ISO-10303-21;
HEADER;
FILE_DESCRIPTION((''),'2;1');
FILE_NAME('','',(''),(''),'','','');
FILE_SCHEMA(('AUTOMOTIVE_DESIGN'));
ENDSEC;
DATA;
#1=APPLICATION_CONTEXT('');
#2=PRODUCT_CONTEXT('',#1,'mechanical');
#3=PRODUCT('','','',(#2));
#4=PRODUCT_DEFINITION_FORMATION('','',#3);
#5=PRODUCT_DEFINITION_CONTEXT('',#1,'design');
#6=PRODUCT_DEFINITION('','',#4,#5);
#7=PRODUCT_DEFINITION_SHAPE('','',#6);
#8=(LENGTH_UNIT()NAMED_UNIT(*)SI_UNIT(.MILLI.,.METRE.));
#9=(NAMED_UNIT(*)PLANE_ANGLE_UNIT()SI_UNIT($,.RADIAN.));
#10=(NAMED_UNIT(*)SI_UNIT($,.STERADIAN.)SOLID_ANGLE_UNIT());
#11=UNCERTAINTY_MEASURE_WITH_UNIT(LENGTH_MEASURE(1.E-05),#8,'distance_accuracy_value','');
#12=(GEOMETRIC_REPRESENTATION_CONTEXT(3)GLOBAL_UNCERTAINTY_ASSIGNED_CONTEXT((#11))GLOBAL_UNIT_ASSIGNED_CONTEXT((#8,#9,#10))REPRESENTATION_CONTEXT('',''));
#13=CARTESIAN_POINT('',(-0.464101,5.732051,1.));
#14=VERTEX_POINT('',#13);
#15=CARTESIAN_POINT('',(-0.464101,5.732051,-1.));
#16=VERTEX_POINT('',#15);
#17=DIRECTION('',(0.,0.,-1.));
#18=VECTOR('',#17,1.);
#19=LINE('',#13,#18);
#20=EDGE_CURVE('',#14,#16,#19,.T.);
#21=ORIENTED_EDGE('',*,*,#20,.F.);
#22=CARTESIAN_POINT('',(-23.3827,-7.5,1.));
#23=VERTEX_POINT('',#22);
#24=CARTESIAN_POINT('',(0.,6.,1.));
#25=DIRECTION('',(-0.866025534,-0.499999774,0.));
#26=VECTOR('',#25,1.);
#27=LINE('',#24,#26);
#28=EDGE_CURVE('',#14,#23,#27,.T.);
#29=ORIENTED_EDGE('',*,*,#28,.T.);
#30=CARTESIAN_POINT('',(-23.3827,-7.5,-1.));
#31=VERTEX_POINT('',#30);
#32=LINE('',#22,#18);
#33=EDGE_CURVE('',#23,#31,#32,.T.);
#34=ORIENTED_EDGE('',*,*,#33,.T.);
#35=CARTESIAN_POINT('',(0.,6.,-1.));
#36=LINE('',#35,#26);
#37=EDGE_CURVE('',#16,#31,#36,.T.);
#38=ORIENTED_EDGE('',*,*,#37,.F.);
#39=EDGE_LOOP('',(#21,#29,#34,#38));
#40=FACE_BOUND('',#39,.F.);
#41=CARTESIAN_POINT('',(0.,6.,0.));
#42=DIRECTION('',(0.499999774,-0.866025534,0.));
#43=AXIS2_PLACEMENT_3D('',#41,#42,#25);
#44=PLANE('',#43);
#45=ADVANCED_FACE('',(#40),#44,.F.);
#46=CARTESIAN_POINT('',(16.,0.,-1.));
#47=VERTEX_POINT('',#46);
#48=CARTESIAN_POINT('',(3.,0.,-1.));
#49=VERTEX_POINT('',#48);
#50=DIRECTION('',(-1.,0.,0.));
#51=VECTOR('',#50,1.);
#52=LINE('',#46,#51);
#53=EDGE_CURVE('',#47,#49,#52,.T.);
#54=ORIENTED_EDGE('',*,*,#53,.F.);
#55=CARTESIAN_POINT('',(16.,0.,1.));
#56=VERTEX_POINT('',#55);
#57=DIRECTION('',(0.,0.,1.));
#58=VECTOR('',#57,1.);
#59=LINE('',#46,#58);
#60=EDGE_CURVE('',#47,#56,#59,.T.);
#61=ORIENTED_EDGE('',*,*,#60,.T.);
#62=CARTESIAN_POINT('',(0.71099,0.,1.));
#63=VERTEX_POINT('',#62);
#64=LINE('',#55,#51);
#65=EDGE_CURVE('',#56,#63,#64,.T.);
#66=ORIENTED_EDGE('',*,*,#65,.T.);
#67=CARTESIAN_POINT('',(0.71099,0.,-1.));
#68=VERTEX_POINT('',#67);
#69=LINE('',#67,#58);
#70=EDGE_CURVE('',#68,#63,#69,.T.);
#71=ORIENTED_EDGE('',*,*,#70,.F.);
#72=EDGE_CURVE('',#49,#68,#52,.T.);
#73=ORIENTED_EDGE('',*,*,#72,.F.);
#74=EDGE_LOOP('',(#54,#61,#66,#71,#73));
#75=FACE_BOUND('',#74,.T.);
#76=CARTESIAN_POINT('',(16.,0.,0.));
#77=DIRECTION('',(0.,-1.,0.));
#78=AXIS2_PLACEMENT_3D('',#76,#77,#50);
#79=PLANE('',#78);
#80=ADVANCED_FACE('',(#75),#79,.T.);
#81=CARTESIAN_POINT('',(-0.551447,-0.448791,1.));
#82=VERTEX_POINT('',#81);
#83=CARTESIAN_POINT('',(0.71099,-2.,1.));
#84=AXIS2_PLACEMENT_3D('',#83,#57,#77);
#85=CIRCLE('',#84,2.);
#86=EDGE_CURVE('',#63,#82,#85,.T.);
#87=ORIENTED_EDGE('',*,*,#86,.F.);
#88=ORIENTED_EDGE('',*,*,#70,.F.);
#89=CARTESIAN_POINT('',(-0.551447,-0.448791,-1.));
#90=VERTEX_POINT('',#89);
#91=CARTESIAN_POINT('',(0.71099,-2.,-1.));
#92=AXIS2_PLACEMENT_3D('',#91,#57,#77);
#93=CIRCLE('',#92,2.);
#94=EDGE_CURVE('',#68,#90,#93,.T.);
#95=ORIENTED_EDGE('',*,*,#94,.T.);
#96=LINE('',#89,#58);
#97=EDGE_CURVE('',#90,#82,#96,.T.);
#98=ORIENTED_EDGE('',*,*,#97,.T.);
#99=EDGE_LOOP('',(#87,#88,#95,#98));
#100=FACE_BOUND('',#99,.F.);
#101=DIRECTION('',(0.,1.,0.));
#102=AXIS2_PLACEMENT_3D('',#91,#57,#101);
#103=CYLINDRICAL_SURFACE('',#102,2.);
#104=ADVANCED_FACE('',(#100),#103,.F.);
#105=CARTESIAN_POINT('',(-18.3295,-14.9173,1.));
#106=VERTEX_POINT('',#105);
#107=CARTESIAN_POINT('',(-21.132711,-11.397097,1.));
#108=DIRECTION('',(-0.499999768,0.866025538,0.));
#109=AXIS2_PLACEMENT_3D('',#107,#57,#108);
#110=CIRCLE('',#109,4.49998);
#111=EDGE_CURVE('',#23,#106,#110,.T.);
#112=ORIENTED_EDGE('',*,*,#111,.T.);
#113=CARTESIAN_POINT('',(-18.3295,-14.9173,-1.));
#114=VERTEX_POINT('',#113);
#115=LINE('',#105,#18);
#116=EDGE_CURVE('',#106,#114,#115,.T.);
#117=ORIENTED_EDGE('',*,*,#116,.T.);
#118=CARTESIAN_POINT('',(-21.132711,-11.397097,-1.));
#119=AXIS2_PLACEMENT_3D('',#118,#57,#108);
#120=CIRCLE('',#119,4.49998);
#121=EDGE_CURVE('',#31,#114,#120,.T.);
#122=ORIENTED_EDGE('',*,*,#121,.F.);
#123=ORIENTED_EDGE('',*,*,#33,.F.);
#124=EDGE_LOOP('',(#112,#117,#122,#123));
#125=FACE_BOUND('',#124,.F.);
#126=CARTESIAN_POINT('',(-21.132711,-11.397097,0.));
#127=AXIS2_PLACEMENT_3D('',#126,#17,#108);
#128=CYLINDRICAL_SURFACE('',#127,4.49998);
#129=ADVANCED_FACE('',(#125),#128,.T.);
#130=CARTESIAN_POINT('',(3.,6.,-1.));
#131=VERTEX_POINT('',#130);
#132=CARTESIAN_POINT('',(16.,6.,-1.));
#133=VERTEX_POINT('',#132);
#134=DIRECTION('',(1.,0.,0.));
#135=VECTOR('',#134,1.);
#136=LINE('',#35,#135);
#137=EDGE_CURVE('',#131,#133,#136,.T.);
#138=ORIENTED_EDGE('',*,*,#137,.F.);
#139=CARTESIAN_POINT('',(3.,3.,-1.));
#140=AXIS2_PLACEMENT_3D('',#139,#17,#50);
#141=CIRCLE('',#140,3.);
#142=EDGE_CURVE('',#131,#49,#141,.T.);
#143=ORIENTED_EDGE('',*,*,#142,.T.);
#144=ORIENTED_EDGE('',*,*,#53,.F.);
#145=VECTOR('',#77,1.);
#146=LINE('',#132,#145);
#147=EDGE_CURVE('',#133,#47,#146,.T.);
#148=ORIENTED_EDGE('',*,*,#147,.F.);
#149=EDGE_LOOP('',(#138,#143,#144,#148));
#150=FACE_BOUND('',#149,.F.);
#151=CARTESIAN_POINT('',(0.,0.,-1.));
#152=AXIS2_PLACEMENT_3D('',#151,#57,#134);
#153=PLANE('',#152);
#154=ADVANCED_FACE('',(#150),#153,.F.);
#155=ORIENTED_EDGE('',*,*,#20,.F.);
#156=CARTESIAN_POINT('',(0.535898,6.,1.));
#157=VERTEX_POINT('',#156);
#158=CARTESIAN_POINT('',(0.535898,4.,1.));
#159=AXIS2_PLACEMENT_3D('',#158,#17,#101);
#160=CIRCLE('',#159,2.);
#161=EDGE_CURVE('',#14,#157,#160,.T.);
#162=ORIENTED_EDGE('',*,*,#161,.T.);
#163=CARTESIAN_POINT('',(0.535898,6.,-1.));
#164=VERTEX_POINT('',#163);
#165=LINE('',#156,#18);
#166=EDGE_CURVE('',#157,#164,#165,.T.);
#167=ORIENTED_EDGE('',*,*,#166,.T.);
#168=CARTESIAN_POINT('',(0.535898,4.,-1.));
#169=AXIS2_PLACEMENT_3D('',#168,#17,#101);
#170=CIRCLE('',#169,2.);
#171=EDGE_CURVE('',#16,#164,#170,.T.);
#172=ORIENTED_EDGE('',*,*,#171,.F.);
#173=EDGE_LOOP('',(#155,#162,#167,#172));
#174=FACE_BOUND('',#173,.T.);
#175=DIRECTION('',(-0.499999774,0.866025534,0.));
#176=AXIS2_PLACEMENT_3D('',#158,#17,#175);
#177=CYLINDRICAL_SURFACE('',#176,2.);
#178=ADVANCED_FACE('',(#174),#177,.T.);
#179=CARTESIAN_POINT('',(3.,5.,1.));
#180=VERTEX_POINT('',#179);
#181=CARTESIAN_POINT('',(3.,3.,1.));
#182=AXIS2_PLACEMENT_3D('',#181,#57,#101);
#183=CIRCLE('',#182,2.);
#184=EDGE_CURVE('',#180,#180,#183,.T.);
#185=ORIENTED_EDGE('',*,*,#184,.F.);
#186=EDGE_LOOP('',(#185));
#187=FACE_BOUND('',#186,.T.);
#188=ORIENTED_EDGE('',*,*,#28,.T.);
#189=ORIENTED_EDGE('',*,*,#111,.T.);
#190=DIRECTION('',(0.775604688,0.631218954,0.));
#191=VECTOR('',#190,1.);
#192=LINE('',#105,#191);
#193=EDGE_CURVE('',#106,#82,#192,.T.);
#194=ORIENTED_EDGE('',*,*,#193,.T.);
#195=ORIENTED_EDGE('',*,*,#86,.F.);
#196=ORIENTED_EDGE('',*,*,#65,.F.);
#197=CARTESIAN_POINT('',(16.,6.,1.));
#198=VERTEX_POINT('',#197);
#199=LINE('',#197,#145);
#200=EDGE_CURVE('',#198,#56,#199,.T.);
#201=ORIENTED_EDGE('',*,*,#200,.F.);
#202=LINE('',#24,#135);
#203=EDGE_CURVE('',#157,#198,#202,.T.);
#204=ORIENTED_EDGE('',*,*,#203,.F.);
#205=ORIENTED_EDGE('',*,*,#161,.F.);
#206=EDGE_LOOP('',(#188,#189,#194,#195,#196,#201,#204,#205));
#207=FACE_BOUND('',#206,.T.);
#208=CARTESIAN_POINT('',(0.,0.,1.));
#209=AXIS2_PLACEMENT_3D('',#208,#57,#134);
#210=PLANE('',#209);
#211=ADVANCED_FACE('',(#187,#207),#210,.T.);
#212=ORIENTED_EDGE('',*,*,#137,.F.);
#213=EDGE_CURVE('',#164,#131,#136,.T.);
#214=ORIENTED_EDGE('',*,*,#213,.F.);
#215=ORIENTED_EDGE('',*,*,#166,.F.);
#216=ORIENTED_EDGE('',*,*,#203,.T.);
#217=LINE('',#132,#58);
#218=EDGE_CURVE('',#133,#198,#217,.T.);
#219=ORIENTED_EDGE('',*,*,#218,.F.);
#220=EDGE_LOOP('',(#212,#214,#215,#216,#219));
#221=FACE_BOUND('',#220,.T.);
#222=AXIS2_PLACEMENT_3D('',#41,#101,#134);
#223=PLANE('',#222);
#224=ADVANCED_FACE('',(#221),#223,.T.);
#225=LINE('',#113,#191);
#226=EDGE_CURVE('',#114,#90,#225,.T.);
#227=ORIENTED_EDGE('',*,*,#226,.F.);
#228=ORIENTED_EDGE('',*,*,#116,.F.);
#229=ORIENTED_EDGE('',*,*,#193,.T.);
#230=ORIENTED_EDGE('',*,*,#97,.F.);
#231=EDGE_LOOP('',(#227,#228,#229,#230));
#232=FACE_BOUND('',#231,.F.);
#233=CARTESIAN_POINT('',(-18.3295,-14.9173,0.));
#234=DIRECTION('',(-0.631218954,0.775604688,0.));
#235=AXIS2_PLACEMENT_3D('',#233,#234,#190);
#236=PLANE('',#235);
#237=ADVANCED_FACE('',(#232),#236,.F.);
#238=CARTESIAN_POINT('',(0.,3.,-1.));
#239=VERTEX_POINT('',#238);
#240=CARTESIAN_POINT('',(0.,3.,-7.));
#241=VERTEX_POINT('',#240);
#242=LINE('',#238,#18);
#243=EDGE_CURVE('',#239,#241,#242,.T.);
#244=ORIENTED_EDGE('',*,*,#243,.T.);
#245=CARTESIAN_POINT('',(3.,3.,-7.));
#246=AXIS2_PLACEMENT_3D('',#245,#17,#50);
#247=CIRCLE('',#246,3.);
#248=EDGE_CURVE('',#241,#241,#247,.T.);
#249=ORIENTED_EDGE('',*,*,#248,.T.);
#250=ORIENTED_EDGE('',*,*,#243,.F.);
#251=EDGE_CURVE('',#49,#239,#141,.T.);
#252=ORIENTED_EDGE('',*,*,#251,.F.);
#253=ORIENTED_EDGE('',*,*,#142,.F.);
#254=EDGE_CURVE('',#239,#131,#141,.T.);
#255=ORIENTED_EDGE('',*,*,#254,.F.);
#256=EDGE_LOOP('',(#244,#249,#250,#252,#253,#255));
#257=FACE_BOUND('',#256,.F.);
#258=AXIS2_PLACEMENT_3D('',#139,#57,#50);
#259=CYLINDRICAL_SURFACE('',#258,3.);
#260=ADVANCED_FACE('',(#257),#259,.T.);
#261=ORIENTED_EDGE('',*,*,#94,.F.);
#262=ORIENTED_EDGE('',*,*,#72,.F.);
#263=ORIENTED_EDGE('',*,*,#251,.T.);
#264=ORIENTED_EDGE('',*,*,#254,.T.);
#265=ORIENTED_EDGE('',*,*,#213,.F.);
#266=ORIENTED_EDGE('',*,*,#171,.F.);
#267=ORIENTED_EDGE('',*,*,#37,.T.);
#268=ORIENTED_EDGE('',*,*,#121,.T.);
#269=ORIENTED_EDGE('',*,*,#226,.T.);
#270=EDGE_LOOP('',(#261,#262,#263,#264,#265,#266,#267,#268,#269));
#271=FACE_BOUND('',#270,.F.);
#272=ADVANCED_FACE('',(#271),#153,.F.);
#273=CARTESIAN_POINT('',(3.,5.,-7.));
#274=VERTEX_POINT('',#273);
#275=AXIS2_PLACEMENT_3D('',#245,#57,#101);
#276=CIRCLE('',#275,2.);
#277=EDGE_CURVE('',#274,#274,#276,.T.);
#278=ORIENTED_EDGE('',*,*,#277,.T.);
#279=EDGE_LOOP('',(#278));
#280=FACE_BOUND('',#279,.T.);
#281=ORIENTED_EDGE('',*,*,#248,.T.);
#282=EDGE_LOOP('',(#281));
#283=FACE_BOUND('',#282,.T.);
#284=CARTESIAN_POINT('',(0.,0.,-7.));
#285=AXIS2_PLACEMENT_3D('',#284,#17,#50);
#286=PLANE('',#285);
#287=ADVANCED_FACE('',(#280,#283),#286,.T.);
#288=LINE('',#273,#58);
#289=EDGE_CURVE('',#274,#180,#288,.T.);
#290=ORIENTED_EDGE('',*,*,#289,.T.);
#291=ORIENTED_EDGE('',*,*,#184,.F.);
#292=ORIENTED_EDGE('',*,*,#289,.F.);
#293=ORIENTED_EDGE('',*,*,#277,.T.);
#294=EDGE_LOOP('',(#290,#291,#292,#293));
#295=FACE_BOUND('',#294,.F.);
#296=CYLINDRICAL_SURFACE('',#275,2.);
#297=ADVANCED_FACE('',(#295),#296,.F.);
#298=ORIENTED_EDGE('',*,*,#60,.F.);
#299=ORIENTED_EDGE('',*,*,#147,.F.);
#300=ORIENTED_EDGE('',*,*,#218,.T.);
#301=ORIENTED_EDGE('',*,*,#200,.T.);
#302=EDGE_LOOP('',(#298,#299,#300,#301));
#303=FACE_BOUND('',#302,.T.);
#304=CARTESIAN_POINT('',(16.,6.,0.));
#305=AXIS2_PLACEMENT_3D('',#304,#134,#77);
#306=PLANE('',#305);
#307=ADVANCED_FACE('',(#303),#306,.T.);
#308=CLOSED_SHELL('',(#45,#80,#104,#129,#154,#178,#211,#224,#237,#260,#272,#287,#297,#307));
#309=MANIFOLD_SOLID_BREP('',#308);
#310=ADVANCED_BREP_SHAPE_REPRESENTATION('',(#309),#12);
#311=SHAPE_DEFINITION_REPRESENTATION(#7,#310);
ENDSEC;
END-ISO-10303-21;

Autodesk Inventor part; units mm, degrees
ref_plane "YZ Plane" through (0, 0, 0) normal (1, 0, 0) x (0, 1, 0)
ref_plane "XZ Plane" through (0, 0, 0) normal (0, 1, 0) x (-1, 0, 0)
ref_plane "XY Plane" through (0, 0, 0) normal (0, 0, 1) x (1, 0, 0)
sketch "Skizze1" plane through (0, 0, 0) normal (0, 0, 1) x (1, 0, 0)
  line L0 (0, 0) -> (0, 6)
  line L1 (0, 6) -> (-23.3827, -7.5)
  arc A0 (-23.3827, -7.5) -> (-18.3295, -14.9173) centre (-21.1327, -11.3971) ccw
  line L2 (-18.3295, -14.9173) -> (0, 0)
  line L3 (0, 6) -> (16, 6)
  line L4 (16, 6) -> (16, 0)
  line L5 (16, 0) -> (0, 0)
  line L6 (-21.1327, -11.3971) -> (0, 3) construction
  dimension "d1" = 6
  dimension "d3" = 30
  dimension "d4" = 4.5
  dimension "d5" = 16
  dimension "d6" = 27
extrude "Extrusion1" add sketch "Skizze1" along normal mid plane 2
sketch "Skizze2" plane through (0, 0, -1) normal (0, 0, -1) x (-1, 0, 0)
  circle A0 centre (-3, 3) radius 3
  line L0 (-16, 6) -> (-16, 0) projected
  point P0 (0, 0)
  point P1 (-16, 3)
  dimension "d9" = 6
  dimension "d10" = 13
extrude "Extrusion2" add sketch "Skizze2" along normal blind 6
sketch "Skizze3" plane through (3, 3, -7) normal (0, 0, -1) x (-1, 0, 0)
  circle A0 centre (0, 0) radius 3 projected
  point P0 (3, -3)
hole "Bohrung1" at (3, 3, -7) direction (0, 0, 1) diameter 4 depth 8
fillet "Rundung1" radius 2 2 edges at (0, 6, 0) (0, 0, 0)
properties part number "1 part 12"
